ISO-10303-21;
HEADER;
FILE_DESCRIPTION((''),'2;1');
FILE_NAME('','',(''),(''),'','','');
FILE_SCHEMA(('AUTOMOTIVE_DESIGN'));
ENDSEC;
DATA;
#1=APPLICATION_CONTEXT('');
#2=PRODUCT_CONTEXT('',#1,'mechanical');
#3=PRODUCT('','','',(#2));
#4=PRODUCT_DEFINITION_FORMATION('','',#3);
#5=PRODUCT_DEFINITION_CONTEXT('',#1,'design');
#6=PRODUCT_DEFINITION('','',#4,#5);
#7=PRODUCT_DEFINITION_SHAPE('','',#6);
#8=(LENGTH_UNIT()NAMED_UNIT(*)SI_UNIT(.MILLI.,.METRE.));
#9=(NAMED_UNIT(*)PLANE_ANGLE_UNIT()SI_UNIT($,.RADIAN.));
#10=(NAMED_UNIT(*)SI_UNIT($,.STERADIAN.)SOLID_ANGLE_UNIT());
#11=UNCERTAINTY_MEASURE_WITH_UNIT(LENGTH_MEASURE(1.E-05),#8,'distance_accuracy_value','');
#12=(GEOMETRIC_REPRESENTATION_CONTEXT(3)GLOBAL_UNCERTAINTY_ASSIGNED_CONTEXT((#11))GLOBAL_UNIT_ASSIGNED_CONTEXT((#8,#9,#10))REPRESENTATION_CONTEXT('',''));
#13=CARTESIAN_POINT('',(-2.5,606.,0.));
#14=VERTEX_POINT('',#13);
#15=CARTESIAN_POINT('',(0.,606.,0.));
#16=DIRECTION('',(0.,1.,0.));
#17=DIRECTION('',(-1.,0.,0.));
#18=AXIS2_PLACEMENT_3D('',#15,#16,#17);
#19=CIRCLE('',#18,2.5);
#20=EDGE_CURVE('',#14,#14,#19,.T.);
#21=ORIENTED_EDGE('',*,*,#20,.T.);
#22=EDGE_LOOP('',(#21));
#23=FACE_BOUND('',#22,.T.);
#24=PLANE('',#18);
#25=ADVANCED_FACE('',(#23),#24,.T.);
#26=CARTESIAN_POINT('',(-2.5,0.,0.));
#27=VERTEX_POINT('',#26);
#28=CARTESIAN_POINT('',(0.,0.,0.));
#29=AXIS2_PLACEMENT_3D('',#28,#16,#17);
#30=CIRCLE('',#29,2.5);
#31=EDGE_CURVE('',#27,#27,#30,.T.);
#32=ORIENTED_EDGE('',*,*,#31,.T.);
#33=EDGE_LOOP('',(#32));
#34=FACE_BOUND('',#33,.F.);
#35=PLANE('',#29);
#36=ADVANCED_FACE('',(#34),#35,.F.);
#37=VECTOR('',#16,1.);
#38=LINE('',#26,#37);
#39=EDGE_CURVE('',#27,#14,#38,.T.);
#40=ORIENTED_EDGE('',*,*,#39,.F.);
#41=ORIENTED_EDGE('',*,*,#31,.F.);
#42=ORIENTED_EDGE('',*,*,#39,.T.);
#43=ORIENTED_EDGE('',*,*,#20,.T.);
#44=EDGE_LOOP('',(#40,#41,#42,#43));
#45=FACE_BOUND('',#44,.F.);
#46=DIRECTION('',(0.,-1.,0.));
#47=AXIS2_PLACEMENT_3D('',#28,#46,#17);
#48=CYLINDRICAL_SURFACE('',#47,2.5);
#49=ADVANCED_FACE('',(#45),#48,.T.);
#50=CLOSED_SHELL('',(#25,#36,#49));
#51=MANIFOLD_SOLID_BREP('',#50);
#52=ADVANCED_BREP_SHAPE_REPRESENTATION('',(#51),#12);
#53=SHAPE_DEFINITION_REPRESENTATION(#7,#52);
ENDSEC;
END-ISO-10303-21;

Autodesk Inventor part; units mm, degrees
ref_plane "YZ Plane" through (0, 0, 0) normal (1, 0, 0) x (0, 1, 0)
ref_plane "XZ Plane" through (0, 0, 0) normal (0, 1, 0) x (-1, 0, 0)
ref_plane "XY Plane" through (0, 0, 0) normal (0, 0, 1) x (1, 0, 0)
sketch "Sketch1" plane through (0, 0, 0) normal (0, 1, 0) x (-1, 0, 0)
  circle A0 centre (0, 0) radius 2.5
  dimension "d0" = 5
extrude "Extrusion1" add sketch "Sketch1" along normal blind 606
properties part number "CFRPRod" material "CFRP"
